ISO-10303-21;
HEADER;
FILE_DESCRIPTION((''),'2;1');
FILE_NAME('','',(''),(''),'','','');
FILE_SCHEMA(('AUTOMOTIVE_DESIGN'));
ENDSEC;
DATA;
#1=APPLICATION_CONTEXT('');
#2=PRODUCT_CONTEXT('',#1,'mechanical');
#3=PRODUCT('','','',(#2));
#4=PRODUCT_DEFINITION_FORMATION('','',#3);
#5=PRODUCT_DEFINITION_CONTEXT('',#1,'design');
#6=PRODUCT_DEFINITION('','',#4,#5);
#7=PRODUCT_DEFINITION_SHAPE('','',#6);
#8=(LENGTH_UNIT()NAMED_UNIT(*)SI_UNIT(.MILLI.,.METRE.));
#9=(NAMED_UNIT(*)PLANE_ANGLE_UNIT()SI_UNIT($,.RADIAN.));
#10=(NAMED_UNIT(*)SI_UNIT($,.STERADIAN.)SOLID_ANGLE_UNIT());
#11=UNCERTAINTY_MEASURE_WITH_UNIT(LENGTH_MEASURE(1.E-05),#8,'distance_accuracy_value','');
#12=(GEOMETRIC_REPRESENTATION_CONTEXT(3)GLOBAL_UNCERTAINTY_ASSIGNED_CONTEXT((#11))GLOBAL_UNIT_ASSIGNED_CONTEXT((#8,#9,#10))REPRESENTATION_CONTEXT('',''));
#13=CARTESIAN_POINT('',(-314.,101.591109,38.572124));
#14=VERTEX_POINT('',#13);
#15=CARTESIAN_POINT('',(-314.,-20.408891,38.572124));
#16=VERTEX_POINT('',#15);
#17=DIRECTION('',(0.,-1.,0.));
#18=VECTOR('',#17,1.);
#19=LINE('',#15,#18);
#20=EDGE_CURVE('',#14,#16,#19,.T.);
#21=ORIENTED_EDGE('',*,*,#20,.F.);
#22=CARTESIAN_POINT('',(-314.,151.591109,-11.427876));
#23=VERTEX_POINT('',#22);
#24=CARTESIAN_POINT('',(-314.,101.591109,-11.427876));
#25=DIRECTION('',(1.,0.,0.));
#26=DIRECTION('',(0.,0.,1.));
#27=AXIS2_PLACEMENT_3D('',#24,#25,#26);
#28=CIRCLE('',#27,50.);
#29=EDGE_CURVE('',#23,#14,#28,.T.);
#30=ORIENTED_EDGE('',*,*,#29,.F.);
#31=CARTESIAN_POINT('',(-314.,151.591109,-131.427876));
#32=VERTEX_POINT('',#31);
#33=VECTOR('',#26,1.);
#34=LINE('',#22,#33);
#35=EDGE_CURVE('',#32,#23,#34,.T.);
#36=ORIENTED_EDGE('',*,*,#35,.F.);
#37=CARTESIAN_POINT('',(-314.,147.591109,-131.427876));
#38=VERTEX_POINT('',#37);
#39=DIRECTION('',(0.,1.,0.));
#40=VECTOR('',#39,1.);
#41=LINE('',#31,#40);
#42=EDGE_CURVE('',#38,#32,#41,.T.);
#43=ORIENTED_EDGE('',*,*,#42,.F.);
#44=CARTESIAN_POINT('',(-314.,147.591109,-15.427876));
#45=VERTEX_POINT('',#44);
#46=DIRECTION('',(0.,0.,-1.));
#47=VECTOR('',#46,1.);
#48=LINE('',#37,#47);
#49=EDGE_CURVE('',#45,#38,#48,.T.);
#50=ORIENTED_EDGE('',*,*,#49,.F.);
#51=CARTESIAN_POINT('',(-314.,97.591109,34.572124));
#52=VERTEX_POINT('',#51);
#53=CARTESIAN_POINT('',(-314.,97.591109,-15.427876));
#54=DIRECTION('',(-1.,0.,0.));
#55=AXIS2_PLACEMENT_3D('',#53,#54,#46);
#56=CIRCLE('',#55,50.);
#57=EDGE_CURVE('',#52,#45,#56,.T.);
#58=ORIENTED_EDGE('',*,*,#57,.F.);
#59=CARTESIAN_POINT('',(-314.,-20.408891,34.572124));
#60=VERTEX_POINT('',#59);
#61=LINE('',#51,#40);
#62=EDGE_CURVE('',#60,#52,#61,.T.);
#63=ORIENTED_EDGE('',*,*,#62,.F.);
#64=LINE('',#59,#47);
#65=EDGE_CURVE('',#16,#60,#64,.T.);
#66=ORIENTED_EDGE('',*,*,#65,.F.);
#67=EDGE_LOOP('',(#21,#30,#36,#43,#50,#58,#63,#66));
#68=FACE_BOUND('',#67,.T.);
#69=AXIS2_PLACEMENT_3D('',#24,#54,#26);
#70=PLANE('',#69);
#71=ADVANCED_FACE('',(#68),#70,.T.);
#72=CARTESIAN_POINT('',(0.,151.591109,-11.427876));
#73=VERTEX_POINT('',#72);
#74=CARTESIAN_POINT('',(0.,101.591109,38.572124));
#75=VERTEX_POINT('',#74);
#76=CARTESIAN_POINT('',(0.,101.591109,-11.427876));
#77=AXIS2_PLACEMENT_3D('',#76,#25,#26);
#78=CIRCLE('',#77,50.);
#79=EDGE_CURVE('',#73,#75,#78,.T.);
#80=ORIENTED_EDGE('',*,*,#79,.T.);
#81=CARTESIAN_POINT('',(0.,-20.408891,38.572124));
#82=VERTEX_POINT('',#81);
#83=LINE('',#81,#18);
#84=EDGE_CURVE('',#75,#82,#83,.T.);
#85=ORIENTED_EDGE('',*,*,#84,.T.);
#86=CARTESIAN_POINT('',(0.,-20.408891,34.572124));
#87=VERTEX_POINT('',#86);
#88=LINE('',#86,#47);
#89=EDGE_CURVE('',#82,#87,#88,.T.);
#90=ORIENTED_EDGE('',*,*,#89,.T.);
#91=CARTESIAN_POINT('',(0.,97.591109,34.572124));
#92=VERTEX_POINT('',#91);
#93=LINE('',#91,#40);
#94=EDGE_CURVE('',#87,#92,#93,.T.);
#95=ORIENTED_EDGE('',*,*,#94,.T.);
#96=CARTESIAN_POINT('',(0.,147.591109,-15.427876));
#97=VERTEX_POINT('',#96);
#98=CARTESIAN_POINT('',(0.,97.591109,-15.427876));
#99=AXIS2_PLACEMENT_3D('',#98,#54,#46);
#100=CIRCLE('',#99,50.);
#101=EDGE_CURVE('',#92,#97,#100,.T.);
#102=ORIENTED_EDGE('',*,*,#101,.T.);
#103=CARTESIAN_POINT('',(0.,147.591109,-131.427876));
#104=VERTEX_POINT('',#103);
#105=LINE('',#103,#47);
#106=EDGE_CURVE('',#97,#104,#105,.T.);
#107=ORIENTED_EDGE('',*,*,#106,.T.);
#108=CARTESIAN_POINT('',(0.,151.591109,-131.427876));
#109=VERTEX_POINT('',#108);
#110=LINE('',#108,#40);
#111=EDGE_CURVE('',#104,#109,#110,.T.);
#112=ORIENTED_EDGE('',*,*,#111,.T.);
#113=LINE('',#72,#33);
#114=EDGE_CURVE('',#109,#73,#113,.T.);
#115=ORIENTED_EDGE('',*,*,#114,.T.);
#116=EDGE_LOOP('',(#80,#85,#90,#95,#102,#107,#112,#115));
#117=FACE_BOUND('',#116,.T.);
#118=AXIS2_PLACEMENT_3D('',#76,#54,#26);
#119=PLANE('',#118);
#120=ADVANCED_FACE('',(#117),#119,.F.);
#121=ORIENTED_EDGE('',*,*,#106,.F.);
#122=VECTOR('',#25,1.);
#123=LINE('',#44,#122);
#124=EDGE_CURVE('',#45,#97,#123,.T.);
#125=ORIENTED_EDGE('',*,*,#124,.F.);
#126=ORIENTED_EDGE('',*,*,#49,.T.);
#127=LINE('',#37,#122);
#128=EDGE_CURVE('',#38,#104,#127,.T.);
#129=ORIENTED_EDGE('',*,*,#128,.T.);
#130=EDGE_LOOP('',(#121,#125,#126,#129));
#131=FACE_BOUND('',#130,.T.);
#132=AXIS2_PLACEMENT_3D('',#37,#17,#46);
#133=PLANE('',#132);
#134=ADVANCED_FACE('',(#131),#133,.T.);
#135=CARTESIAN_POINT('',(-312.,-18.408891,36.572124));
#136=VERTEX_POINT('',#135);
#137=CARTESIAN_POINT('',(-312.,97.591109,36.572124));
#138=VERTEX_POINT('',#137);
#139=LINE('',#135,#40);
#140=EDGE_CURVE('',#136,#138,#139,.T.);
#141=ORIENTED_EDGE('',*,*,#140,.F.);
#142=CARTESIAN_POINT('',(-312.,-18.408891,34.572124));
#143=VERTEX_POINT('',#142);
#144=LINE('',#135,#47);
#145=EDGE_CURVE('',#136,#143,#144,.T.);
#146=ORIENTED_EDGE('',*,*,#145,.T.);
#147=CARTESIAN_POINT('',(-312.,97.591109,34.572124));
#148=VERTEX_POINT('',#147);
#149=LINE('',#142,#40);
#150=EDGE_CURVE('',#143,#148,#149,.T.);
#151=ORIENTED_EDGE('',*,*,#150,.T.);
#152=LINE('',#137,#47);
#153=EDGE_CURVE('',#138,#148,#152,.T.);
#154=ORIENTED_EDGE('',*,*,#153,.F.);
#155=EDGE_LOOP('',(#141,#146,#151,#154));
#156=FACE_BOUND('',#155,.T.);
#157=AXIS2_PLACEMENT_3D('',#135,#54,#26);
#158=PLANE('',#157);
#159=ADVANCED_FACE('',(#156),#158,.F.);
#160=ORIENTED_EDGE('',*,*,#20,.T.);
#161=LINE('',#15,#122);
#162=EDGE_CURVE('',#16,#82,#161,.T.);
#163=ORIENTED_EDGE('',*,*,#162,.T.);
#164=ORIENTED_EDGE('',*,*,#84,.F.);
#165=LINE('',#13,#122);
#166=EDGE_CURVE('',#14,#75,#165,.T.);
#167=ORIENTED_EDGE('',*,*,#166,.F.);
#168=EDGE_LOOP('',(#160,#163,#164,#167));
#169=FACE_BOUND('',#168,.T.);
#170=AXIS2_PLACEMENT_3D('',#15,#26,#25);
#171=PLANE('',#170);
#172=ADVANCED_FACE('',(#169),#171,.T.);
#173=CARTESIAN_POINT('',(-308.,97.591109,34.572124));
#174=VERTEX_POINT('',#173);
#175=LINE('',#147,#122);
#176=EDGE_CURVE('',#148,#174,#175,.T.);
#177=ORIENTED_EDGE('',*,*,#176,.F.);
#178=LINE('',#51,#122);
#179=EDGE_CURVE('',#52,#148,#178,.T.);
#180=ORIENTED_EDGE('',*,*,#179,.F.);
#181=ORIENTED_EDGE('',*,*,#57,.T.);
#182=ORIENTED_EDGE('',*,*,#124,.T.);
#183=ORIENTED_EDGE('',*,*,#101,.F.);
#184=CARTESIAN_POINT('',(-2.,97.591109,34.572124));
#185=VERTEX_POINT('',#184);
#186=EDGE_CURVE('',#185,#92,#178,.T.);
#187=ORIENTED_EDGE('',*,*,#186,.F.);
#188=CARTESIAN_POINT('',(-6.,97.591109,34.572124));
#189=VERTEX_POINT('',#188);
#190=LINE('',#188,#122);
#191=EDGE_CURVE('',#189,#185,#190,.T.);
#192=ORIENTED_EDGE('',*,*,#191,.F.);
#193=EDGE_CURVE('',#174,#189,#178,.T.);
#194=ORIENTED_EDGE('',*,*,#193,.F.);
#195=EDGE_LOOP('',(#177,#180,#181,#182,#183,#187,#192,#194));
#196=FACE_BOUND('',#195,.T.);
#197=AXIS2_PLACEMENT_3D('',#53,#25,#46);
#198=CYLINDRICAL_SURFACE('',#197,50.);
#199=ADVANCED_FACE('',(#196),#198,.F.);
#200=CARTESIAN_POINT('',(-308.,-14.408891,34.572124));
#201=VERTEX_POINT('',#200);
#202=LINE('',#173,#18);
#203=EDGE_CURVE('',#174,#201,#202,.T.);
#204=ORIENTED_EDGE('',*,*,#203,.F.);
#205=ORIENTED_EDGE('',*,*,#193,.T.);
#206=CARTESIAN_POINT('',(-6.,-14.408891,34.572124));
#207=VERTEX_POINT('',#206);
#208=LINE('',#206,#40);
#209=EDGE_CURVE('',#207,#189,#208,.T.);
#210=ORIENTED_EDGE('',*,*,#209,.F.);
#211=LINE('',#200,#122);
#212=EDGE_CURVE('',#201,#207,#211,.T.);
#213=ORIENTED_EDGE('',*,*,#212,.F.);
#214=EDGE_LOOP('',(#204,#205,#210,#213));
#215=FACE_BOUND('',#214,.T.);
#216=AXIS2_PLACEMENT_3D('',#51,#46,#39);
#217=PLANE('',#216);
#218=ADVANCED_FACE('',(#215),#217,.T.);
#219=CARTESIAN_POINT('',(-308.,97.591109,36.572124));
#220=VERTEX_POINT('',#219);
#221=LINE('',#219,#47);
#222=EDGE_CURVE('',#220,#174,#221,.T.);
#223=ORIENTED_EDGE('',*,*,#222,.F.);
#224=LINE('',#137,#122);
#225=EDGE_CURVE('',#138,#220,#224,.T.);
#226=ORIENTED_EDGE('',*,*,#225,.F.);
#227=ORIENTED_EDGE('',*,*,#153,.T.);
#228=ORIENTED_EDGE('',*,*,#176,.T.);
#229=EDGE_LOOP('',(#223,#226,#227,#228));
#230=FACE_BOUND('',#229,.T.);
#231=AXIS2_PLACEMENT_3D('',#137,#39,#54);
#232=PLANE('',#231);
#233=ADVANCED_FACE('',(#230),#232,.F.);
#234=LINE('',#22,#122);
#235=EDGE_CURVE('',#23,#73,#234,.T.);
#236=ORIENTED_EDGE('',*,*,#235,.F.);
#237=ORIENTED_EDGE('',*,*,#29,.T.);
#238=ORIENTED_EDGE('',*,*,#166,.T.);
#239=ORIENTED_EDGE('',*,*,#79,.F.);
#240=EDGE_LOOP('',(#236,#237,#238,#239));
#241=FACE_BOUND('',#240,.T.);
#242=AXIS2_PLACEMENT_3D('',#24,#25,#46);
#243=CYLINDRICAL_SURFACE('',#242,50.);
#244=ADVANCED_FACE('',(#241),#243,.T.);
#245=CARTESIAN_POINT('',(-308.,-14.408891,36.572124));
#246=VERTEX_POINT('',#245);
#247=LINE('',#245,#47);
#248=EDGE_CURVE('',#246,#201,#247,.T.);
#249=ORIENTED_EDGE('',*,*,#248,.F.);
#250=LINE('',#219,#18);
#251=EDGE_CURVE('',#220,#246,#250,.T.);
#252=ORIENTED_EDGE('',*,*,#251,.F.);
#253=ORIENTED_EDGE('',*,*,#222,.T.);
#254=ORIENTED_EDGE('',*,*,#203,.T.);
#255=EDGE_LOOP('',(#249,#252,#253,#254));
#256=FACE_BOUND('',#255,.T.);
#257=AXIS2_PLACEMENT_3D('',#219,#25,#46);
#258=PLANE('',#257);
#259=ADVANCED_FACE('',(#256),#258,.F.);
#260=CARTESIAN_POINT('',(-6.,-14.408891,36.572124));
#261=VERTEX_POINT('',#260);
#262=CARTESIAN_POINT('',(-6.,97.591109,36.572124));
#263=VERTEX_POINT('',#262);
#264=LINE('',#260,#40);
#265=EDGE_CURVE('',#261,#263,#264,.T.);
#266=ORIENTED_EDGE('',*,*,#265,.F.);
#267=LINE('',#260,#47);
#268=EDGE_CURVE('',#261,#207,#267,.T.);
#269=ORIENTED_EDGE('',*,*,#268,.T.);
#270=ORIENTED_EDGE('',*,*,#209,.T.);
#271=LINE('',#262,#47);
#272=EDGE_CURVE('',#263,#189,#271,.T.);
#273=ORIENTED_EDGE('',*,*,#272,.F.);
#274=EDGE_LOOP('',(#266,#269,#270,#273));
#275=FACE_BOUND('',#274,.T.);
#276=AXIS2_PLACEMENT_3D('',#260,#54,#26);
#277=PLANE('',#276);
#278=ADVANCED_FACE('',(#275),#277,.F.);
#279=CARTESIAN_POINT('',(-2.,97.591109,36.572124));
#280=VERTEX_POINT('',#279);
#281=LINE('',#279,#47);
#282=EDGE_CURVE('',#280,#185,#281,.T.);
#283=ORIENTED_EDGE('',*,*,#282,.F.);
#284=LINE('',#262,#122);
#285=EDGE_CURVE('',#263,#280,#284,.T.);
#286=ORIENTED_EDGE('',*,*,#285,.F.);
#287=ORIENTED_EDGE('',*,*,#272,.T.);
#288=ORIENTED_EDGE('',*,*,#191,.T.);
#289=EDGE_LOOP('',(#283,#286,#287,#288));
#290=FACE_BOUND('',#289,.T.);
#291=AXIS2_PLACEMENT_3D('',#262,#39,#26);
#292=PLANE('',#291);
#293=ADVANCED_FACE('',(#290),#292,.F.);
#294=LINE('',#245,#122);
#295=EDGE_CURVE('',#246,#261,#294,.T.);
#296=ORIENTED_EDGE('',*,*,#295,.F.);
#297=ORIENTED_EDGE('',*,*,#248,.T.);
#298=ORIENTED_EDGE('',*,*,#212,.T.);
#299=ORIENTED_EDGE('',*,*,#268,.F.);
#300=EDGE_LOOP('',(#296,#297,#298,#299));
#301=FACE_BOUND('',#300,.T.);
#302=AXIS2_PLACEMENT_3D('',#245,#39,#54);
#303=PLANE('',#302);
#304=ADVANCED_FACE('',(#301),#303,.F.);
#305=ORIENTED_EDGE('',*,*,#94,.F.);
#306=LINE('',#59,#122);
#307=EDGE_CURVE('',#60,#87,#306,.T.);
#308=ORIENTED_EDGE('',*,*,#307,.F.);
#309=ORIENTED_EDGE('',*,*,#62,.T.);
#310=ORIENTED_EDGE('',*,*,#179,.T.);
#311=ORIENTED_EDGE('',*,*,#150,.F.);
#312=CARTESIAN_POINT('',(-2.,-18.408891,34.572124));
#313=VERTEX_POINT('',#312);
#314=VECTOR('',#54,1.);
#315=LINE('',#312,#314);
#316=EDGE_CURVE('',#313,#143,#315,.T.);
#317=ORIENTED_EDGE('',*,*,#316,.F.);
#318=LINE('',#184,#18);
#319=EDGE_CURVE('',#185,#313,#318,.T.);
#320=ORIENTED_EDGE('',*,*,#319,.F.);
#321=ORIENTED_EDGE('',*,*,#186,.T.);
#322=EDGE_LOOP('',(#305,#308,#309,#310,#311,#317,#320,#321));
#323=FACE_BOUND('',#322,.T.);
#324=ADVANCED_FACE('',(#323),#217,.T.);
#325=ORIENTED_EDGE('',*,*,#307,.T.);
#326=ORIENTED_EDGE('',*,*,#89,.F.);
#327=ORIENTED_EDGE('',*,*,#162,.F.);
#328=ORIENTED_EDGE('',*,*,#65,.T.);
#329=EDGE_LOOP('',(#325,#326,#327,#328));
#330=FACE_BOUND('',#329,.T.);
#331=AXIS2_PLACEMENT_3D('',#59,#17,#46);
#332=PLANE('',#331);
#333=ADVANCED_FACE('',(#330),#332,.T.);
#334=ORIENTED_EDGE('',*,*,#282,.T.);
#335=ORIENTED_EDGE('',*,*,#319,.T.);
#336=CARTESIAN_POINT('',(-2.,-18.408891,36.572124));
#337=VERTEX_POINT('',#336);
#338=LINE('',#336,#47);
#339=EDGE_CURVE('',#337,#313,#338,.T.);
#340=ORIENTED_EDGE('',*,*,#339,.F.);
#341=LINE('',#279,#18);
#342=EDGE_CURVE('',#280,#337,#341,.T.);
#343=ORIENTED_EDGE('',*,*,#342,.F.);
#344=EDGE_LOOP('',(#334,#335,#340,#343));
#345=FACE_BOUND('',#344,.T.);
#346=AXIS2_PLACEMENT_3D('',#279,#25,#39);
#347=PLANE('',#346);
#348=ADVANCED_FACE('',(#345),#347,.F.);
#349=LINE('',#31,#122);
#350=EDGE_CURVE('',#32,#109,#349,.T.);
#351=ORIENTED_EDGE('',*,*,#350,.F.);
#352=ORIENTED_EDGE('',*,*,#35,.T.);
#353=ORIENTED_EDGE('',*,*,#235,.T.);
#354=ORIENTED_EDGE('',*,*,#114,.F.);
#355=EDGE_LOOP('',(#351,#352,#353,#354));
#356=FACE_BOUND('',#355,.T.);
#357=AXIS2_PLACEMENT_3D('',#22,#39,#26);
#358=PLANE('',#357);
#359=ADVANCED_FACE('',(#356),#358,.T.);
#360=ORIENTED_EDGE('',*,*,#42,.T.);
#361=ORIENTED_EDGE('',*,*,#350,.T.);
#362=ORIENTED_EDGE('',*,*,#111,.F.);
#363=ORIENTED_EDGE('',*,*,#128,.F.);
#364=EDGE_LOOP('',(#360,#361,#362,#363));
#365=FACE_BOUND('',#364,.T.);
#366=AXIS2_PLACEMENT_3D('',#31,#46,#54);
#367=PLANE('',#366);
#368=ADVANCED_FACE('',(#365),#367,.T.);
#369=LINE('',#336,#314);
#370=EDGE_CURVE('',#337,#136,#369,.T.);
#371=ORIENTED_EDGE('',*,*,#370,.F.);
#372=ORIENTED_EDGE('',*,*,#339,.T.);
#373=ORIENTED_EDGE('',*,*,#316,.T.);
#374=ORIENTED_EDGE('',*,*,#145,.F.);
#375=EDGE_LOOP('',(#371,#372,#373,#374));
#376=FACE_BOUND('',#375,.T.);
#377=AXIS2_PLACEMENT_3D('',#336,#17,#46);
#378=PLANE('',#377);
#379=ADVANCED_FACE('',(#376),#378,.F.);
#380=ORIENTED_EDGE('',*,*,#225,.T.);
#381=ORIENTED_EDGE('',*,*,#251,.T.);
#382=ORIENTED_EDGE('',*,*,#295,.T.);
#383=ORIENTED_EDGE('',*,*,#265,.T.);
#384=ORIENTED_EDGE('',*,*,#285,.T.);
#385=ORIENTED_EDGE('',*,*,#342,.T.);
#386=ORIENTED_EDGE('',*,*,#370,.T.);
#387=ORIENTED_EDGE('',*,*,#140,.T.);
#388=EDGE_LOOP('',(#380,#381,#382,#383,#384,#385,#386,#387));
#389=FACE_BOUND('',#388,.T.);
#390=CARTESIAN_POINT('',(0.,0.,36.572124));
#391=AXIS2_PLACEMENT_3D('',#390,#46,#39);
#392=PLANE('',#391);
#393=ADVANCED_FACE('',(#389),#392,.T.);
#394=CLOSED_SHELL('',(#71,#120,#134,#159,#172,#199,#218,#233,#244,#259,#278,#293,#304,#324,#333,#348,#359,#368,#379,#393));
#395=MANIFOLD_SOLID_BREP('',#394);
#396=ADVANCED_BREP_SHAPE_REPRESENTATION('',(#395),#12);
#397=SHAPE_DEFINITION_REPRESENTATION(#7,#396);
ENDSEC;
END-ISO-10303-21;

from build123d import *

# Parameters (mm, degrees)
SALIENTE_EXTRUIR1_DEPTH = 314
CORTAR_EXTRUIR1_DEPTH   = 2


with BuildPart() as part:
    # Croquis2 → Saliente-Extruir1 (new body)
    with BuildSketch(Plane(origin=(0, 0, 0), x_dir=(0, 0, -1), z_dir=(1, 0, 0))):
        with BuildLine():
            Line((-38.572123539, -20.408891327), (-38.572123539, 101.591108673))
            ThreePointArc((-38.572123539, 101.591108673), (-23.927462599, 136.946447732), (11.427876461, 151.591108673))
            Line((11.427876461, 151.591108673), (131.427876461, 151.591108673))
            Line((131.427876461, 151.591108673), (131.427876461, 147.591108673))
            Line((131.427876461, 147.591108673), (15.427876461, 147.591108673))
            ThreePointArc((15.427876461, 147.591108673), (-19.927462599, 132.946447732), (-34.572123539, 97.591108673))
            Line((-34.572123539, 97.591108673), (-34.572123539, -20.408891327))
            Line((-34.572123539, -20.408891327), (-38.572123539, -20.408891327))
        make_face()
    extrude(amount=-SALIENTE_EXTRUIR1_DEPTH)

    # Croquis3 → Cortar-Extruir1 (cut)
    with BuildSketch(Plane(origin=(0, 0, 34.572123539), x_dir=(-1, 0, 0), z_dir=(0, 0, -1))):
        Polygon((2, 97.591108673), (2, -18.408891327), (312, -18.408891327), (312, 97.591108673), (308, 97.591108673), (308, -14.408891327), (6, -14.408891327), (6, 97.591108673), align=None)
    extrude(amount=-CORTAR_EXTRUIR1_DEPTH, mode=Mode.SUBTRACT)


solid = part.part
